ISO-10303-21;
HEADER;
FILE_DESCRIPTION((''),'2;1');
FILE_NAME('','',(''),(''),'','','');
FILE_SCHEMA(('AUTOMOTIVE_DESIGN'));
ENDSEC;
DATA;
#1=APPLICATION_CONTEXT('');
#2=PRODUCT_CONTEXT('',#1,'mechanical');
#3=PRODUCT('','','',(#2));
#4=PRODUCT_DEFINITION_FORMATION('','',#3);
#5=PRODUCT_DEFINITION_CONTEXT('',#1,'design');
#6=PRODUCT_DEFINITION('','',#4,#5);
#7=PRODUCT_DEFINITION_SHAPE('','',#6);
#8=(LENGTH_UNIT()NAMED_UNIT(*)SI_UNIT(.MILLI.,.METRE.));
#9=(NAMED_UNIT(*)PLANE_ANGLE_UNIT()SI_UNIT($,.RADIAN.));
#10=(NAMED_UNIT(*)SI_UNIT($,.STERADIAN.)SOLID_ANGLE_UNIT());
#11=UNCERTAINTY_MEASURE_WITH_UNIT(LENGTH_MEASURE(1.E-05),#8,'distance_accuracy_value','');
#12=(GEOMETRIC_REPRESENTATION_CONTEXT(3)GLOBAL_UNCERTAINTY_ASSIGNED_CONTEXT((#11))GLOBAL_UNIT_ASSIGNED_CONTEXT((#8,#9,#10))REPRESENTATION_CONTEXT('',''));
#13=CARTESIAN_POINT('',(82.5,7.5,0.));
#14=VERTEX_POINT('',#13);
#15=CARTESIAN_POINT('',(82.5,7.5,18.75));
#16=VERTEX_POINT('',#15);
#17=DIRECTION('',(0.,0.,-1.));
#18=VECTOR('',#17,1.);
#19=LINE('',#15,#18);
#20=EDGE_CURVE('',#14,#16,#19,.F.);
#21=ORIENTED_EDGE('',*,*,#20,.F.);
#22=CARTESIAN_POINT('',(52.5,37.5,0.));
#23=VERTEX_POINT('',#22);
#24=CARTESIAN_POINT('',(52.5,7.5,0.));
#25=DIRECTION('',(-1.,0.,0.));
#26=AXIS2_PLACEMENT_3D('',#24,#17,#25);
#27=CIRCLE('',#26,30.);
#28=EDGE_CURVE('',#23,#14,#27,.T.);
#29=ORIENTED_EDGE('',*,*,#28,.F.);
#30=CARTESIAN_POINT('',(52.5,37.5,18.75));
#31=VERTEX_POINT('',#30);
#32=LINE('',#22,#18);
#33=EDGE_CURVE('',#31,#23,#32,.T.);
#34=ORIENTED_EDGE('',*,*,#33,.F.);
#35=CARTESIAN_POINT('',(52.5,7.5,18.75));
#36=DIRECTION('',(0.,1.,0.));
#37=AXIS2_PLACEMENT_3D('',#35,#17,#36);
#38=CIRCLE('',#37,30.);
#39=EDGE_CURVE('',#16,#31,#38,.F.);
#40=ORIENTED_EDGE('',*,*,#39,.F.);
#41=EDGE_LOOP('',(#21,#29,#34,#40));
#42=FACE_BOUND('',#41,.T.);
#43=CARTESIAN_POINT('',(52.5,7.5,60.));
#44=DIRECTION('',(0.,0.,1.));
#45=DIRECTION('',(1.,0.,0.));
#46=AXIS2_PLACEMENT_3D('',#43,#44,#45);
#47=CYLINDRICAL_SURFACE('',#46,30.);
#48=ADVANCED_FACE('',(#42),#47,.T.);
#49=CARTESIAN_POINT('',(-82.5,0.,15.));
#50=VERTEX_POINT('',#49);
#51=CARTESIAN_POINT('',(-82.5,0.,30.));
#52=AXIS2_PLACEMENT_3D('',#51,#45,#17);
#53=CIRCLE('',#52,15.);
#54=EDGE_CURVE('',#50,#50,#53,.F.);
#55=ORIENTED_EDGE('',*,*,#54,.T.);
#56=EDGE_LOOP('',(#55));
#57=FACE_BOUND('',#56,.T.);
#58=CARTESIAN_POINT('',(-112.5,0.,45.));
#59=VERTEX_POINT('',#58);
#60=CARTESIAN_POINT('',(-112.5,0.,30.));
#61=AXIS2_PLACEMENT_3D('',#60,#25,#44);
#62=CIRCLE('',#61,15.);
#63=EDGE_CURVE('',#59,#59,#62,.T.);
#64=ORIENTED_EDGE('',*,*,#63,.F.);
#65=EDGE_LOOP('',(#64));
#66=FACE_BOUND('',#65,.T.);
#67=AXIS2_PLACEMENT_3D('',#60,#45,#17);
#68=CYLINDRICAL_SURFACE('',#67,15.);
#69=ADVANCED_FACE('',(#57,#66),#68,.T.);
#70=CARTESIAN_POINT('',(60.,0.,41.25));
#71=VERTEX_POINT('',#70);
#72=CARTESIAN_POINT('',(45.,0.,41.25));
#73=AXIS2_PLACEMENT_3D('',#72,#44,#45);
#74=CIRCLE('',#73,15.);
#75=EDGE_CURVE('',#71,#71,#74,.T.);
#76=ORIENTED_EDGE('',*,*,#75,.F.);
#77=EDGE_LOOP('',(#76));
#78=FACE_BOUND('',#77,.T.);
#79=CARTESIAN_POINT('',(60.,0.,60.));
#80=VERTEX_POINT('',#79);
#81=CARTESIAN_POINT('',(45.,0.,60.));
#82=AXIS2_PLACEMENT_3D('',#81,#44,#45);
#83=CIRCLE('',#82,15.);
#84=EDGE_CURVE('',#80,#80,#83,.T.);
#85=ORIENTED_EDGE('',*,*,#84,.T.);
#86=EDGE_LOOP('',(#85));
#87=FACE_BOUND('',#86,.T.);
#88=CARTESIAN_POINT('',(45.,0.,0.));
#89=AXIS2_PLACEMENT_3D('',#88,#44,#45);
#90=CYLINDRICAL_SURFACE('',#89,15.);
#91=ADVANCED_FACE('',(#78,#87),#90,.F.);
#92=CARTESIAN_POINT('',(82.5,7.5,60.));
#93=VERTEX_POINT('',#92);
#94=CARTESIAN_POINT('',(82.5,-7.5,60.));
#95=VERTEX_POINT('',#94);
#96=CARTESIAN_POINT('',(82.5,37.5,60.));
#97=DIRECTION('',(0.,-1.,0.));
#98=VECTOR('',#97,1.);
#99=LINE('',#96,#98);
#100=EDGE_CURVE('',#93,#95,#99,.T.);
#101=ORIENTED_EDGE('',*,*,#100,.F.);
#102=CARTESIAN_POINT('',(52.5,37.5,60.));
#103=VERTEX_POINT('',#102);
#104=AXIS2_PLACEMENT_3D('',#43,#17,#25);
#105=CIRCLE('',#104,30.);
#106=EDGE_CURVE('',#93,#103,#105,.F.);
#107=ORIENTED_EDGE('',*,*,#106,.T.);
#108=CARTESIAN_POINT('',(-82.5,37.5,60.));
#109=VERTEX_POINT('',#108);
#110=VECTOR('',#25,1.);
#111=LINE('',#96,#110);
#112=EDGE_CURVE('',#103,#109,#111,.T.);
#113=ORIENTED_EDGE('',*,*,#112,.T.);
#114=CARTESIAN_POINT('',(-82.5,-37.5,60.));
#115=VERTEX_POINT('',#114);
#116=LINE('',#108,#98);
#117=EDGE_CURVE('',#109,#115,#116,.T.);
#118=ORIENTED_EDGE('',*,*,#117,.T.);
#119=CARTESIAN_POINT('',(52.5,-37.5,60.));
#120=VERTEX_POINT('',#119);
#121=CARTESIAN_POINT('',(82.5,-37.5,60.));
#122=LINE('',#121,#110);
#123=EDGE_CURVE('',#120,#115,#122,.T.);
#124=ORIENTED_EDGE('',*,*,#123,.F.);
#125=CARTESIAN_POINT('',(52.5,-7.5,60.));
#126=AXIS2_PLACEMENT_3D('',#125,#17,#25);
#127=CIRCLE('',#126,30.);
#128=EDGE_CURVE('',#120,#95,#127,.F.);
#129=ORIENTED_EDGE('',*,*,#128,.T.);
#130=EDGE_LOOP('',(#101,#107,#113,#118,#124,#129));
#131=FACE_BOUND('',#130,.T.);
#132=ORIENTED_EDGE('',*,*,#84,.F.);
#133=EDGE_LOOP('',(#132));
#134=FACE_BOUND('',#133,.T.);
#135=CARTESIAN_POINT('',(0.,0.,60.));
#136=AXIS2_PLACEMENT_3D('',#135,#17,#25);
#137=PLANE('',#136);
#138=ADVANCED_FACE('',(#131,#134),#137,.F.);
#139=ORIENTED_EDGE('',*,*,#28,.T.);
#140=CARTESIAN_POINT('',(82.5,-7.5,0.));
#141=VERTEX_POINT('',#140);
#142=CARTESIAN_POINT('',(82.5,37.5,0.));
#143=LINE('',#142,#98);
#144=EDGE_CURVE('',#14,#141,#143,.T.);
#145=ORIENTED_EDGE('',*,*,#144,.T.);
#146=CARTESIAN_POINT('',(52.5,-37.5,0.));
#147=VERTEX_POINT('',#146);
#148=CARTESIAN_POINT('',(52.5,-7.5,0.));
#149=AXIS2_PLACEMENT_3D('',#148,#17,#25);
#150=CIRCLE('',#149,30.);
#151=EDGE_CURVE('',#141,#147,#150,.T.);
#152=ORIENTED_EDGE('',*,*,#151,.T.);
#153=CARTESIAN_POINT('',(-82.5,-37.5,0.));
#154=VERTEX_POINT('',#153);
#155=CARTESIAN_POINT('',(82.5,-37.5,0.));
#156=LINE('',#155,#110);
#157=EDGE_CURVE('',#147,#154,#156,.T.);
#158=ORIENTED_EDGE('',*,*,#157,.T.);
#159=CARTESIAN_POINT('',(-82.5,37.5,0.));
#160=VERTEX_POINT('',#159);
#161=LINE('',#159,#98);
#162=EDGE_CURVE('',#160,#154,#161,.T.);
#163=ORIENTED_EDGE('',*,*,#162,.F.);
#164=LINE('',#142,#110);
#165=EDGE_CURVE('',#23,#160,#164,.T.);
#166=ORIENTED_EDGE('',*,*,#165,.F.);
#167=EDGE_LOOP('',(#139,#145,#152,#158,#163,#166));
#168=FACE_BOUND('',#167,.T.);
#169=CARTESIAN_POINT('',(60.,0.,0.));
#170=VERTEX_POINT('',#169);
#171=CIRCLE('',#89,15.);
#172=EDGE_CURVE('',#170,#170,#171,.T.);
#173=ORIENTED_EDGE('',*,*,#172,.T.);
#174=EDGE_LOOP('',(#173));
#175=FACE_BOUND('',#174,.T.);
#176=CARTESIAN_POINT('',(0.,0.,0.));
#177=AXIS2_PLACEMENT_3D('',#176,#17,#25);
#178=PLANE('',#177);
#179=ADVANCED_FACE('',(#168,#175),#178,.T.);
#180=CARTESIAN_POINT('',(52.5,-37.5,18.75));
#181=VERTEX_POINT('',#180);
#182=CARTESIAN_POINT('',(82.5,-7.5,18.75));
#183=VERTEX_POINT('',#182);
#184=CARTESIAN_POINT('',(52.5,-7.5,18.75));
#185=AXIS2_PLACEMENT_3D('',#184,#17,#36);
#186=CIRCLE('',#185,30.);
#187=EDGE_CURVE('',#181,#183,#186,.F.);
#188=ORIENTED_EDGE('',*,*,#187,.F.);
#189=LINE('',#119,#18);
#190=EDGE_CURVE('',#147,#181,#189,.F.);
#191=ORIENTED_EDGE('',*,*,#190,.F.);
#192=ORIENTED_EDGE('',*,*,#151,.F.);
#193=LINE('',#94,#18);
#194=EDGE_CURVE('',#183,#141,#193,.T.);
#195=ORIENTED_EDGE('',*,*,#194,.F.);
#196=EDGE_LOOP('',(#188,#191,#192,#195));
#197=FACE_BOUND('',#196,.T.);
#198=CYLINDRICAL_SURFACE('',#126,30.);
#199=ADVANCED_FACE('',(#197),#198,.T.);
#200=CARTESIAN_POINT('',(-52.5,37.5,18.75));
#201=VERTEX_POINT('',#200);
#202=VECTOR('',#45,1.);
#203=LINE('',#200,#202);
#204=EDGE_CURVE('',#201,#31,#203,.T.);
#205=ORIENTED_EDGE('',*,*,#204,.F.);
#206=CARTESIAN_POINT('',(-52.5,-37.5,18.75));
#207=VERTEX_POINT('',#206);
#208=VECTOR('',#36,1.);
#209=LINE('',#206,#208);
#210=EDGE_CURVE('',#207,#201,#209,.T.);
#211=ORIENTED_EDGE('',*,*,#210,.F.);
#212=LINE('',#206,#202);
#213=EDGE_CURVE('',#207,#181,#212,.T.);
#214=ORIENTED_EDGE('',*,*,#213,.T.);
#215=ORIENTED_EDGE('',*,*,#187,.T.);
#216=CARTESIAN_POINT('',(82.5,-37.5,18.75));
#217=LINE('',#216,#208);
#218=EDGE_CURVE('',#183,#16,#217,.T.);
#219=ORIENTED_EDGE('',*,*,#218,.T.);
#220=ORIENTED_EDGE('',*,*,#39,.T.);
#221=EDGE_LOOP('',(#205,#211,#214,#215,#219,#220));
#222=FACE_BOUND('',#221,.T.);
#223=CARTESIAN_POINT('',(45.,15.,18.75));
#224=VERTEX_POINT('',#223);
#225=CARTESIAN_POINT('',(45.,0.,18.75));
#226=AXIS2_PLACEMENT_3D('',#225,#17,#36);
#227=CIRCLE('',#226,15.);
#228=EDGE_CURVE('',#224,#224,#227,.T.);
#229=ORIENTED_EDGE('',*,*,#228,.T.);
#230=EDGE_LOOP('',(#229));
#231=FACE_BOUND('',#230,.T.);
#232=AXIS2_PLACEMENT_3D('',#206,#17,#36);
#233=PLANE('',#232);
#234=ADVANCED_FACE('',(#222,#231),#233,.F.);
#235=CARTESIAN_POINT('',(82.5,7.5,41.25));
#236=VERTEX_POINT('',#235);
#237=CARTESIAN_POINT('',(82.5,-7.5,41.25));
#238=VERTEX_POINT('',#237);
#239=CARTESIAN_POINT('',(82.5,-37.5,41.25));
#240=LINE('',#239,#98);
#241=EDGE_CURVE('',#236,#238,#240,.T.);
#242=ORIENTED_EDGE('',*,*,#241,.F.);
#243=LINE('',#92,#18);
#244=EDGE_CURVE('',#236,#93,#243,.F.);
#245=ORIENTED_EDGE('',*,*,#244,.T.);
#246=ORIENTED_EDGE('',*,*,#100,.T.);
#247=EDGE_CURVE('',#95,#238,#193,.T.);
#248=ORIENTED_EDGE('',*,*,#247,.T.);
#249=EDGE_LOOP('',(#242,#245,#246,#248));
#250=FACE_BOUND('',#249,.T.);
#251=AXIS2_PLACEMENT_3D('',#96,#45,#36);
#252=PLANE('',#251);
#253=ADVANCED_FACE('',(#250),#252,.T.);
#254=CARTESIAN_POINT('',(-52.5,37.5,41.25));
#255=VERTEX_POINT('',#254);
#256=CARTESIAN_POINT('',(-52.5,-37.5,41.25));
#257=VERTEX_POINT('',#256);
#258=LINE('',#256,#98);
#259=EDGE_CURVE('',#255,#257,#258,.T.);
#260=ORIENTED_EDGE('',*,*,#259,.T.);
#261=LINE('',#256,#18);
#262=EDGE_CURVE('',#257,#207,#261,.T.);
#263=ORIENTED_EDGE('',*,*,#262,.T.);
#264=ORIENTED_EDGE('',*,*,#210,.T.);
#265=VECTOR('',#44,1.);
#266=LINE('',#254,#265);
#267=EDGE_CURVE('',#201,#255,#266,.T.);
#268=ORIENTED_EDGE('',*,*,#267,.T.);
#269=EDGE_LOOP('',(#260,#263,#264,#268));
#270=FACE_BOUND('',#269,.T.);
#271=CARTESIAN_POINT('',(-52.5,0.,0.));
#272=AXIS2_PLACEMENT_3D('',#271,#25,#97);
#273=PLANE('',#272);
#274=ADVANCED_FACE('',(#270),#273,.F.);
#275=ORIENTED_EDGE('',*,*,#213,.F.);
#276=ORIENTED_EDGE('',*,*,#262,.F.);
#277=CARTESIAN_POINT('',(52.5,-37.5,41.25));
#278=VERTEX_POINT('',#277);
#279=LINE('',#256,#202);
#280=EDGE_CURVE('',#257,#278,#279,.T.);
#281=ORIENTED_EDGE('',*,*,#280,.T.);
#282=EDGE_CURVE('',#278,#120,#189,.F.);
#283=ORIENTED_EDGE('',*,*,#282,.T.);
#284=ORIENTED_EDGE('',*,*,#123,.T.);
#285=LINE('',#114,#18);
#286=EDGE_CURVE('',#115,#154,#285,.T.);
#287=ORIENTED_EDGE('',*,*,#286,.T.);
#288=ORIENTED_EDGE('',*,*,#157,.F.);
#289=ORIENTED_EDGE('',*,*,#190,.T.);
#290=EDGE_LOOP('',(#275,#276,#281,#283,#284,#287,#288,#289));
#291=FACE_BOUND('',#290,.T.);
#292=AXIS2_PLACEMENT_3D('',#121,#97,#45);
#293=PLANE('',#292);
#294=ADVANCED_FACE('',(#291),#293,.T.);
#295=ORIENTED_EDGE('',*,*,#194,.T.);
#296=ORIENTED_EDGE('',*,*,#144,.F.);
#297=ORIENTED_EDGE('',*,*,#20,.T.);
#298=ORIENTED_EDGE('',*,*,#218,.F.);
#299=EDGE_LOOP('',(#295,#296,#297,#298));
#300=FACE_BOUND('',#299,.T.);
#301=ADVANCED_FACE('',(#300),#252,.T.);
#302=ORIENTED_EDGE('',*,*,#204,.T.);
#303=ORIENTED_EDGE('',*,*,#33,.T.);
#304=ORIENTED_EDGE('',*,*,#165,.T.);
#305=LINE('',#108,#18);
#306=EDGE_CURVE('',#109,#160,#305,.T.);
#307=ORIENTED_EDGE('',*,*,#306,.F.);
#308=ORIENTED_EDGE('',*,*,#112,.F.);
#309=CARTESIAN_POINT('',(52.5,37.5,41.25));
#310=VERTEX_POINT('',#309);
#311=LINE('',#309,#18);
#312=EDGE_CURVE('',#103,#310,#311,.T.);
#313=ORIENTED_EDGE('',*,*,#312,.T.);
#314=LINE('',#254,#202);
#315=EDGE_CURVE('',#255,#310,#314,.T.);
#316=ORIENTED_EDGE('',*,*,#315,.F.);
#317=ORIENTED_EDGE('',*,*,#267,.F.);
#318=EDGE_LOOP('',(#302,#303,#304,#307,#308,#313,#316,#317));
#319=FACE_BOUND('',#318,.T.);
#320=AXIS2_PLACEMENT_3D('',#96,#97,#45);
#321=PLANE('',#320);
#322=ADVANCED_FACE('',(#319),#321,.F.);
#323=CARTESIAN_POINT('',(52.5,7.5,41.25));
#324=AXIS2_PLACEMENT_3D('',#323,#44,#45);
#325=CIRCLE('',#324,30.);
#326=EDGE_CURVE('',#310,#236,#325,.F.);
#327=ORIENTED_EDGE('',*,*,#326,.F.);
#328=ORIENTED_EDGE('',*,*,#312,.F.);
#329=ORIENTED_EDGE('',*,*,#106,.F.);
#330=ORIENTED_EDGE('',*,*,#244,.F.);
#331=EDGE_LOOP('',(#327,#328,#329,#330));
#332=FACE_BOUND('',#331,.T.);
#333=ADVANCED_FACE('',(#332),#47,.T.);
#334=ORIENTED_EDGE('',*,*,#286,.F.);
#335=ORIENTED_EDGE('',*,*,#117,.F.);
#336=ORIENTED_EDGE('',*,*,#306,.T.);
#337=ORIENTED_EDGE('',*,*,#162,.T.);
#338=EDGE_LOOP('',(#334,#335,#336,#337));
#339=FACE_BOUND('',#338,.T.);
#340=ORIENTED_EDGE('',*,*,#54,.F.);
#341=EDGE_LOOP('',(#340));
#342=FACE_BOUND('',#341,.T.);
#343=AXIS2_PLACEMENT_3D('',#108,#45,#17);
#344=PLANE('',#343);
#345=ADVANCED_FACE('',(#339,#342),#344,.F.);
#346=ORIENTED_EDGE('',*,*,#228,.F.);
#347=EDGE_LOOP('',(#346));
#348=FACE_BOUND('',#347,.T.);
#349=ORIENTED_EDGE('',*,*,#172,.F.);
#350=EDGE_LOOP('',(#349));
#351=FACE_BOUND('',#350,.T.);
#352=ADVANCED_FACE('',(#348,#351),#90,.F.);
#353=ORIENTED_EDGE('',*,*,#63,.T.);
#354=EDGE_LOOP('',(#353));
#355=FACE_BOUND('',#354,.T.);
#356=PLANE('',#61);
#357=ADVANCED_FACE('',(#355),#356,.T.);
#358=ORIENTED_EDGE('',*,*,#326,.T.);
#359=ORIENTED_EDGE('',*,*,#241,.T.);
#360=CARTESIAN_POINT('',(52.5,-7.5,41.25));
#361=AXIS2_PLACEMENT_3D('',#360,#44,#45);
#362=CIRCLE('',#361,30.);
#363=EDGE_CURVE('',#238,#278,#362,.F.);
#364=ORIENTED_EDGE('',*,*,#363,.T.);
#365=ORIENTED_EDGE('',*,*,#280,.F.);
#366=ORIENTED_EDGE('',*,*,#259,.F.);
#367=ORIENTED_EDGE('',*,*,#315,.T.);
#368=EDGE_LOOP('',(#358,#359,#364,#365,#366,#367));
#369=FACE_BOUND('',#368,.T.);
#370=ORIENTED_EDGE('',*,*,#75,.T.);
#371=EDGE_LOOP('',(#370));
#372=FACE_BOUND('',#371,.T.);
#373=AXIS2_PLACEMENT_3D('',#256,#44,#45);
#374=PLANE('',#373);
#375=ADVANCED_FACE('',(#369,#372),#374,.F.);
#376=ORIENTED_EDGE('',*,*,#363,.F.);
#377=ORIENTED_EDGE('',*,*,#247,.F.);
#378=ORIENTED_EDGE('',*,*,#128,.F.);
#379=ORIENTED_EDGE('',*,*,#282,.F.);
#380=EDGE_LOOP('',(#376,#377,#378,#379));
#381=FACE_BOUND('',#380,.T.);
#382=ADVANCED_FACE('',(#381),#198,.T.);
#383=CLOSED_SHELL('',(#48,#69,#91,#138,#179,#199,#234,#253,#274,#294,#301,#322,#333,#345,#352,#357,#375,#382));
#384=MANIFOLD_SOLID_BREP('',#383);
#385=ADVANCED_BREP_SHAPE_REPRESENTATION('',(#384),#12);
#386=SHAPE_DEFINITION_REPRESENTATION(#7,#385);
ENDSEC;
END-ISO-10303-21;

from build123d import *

# Parameters (mm, degrees)
SKETCH1_W           = 165
SKETCH1_H           = 75
BOSS_EXTRUDE1_DEPTH = 60
SKETCH2_W           = 22.5
SKETCH2_H           = 75
CUT_EXTRUDE1_DEPTH  = 135
FILLET1_R           = 30
SKETCH3_R           = 15
CUT_EXTRUDE2_DEPTH  = 109.685325596
SKETCH4_R           = 15
BOSS_EXTRUDE2_DEPTH = 30


with BuildPart() as part:
    # Sketch1 → Boss-Extrude1 (new body)
    with BuildSketch(Plane.XY):
        Rectangle(SKETCH1_W, SKETCH1_H)
    extrude(amount=BOSS_EXTRUDE1_DEPTH)

    # Sketch2 → Cut-Extrude1 (cut)
    with BuildSketch(Plane(origin=(82.5, 0, 0), x_dir=(0, 0, -1), z_dir=(1, 0, 0))):
        with Locations((-30, 0)):
            Rectangle(SKETCH2_W, SKETCH2_H)
    extrude(amount=-CUT_EXTRUDE1_DEPTH, mode=Mode.SUBTRACT)

    # Fillet1
    fillet1_edges = [part.edges().sort_by_distance(p)[0] for p in [
        (82.5, -37.5, 9.375),
        (82.5, 37.5, 9.375),
        (82.5, 37.5, 50.625),
        (82.5, -37.5, 50.625),
    ]]
    fillet(fillet1_edges, radius=FILLET1_R)

    # Sketch3 → Cut-Extrude2 (cut, through all)
    with BuildSketch(Plane.XY.offset(60)):
        with Locations((45, 0)):
            Circle(SKETCH3_R)
    extrude(amount=-CUT_EXTRUDE2_DEPTH, mode=Mode.SUBTRACT)

    # Sketch4 → Boss-Extrude2 (add)
    with BuildSketch(Plane.ZY.offset(82.5)):
        with Locations(Location((30, 0, 0), (0, 0, 180))):
            Circle(SKETCH4_R)
    extrude(amount=BOSS_EXTRUDE2_DEPTH)


solid = part.part
